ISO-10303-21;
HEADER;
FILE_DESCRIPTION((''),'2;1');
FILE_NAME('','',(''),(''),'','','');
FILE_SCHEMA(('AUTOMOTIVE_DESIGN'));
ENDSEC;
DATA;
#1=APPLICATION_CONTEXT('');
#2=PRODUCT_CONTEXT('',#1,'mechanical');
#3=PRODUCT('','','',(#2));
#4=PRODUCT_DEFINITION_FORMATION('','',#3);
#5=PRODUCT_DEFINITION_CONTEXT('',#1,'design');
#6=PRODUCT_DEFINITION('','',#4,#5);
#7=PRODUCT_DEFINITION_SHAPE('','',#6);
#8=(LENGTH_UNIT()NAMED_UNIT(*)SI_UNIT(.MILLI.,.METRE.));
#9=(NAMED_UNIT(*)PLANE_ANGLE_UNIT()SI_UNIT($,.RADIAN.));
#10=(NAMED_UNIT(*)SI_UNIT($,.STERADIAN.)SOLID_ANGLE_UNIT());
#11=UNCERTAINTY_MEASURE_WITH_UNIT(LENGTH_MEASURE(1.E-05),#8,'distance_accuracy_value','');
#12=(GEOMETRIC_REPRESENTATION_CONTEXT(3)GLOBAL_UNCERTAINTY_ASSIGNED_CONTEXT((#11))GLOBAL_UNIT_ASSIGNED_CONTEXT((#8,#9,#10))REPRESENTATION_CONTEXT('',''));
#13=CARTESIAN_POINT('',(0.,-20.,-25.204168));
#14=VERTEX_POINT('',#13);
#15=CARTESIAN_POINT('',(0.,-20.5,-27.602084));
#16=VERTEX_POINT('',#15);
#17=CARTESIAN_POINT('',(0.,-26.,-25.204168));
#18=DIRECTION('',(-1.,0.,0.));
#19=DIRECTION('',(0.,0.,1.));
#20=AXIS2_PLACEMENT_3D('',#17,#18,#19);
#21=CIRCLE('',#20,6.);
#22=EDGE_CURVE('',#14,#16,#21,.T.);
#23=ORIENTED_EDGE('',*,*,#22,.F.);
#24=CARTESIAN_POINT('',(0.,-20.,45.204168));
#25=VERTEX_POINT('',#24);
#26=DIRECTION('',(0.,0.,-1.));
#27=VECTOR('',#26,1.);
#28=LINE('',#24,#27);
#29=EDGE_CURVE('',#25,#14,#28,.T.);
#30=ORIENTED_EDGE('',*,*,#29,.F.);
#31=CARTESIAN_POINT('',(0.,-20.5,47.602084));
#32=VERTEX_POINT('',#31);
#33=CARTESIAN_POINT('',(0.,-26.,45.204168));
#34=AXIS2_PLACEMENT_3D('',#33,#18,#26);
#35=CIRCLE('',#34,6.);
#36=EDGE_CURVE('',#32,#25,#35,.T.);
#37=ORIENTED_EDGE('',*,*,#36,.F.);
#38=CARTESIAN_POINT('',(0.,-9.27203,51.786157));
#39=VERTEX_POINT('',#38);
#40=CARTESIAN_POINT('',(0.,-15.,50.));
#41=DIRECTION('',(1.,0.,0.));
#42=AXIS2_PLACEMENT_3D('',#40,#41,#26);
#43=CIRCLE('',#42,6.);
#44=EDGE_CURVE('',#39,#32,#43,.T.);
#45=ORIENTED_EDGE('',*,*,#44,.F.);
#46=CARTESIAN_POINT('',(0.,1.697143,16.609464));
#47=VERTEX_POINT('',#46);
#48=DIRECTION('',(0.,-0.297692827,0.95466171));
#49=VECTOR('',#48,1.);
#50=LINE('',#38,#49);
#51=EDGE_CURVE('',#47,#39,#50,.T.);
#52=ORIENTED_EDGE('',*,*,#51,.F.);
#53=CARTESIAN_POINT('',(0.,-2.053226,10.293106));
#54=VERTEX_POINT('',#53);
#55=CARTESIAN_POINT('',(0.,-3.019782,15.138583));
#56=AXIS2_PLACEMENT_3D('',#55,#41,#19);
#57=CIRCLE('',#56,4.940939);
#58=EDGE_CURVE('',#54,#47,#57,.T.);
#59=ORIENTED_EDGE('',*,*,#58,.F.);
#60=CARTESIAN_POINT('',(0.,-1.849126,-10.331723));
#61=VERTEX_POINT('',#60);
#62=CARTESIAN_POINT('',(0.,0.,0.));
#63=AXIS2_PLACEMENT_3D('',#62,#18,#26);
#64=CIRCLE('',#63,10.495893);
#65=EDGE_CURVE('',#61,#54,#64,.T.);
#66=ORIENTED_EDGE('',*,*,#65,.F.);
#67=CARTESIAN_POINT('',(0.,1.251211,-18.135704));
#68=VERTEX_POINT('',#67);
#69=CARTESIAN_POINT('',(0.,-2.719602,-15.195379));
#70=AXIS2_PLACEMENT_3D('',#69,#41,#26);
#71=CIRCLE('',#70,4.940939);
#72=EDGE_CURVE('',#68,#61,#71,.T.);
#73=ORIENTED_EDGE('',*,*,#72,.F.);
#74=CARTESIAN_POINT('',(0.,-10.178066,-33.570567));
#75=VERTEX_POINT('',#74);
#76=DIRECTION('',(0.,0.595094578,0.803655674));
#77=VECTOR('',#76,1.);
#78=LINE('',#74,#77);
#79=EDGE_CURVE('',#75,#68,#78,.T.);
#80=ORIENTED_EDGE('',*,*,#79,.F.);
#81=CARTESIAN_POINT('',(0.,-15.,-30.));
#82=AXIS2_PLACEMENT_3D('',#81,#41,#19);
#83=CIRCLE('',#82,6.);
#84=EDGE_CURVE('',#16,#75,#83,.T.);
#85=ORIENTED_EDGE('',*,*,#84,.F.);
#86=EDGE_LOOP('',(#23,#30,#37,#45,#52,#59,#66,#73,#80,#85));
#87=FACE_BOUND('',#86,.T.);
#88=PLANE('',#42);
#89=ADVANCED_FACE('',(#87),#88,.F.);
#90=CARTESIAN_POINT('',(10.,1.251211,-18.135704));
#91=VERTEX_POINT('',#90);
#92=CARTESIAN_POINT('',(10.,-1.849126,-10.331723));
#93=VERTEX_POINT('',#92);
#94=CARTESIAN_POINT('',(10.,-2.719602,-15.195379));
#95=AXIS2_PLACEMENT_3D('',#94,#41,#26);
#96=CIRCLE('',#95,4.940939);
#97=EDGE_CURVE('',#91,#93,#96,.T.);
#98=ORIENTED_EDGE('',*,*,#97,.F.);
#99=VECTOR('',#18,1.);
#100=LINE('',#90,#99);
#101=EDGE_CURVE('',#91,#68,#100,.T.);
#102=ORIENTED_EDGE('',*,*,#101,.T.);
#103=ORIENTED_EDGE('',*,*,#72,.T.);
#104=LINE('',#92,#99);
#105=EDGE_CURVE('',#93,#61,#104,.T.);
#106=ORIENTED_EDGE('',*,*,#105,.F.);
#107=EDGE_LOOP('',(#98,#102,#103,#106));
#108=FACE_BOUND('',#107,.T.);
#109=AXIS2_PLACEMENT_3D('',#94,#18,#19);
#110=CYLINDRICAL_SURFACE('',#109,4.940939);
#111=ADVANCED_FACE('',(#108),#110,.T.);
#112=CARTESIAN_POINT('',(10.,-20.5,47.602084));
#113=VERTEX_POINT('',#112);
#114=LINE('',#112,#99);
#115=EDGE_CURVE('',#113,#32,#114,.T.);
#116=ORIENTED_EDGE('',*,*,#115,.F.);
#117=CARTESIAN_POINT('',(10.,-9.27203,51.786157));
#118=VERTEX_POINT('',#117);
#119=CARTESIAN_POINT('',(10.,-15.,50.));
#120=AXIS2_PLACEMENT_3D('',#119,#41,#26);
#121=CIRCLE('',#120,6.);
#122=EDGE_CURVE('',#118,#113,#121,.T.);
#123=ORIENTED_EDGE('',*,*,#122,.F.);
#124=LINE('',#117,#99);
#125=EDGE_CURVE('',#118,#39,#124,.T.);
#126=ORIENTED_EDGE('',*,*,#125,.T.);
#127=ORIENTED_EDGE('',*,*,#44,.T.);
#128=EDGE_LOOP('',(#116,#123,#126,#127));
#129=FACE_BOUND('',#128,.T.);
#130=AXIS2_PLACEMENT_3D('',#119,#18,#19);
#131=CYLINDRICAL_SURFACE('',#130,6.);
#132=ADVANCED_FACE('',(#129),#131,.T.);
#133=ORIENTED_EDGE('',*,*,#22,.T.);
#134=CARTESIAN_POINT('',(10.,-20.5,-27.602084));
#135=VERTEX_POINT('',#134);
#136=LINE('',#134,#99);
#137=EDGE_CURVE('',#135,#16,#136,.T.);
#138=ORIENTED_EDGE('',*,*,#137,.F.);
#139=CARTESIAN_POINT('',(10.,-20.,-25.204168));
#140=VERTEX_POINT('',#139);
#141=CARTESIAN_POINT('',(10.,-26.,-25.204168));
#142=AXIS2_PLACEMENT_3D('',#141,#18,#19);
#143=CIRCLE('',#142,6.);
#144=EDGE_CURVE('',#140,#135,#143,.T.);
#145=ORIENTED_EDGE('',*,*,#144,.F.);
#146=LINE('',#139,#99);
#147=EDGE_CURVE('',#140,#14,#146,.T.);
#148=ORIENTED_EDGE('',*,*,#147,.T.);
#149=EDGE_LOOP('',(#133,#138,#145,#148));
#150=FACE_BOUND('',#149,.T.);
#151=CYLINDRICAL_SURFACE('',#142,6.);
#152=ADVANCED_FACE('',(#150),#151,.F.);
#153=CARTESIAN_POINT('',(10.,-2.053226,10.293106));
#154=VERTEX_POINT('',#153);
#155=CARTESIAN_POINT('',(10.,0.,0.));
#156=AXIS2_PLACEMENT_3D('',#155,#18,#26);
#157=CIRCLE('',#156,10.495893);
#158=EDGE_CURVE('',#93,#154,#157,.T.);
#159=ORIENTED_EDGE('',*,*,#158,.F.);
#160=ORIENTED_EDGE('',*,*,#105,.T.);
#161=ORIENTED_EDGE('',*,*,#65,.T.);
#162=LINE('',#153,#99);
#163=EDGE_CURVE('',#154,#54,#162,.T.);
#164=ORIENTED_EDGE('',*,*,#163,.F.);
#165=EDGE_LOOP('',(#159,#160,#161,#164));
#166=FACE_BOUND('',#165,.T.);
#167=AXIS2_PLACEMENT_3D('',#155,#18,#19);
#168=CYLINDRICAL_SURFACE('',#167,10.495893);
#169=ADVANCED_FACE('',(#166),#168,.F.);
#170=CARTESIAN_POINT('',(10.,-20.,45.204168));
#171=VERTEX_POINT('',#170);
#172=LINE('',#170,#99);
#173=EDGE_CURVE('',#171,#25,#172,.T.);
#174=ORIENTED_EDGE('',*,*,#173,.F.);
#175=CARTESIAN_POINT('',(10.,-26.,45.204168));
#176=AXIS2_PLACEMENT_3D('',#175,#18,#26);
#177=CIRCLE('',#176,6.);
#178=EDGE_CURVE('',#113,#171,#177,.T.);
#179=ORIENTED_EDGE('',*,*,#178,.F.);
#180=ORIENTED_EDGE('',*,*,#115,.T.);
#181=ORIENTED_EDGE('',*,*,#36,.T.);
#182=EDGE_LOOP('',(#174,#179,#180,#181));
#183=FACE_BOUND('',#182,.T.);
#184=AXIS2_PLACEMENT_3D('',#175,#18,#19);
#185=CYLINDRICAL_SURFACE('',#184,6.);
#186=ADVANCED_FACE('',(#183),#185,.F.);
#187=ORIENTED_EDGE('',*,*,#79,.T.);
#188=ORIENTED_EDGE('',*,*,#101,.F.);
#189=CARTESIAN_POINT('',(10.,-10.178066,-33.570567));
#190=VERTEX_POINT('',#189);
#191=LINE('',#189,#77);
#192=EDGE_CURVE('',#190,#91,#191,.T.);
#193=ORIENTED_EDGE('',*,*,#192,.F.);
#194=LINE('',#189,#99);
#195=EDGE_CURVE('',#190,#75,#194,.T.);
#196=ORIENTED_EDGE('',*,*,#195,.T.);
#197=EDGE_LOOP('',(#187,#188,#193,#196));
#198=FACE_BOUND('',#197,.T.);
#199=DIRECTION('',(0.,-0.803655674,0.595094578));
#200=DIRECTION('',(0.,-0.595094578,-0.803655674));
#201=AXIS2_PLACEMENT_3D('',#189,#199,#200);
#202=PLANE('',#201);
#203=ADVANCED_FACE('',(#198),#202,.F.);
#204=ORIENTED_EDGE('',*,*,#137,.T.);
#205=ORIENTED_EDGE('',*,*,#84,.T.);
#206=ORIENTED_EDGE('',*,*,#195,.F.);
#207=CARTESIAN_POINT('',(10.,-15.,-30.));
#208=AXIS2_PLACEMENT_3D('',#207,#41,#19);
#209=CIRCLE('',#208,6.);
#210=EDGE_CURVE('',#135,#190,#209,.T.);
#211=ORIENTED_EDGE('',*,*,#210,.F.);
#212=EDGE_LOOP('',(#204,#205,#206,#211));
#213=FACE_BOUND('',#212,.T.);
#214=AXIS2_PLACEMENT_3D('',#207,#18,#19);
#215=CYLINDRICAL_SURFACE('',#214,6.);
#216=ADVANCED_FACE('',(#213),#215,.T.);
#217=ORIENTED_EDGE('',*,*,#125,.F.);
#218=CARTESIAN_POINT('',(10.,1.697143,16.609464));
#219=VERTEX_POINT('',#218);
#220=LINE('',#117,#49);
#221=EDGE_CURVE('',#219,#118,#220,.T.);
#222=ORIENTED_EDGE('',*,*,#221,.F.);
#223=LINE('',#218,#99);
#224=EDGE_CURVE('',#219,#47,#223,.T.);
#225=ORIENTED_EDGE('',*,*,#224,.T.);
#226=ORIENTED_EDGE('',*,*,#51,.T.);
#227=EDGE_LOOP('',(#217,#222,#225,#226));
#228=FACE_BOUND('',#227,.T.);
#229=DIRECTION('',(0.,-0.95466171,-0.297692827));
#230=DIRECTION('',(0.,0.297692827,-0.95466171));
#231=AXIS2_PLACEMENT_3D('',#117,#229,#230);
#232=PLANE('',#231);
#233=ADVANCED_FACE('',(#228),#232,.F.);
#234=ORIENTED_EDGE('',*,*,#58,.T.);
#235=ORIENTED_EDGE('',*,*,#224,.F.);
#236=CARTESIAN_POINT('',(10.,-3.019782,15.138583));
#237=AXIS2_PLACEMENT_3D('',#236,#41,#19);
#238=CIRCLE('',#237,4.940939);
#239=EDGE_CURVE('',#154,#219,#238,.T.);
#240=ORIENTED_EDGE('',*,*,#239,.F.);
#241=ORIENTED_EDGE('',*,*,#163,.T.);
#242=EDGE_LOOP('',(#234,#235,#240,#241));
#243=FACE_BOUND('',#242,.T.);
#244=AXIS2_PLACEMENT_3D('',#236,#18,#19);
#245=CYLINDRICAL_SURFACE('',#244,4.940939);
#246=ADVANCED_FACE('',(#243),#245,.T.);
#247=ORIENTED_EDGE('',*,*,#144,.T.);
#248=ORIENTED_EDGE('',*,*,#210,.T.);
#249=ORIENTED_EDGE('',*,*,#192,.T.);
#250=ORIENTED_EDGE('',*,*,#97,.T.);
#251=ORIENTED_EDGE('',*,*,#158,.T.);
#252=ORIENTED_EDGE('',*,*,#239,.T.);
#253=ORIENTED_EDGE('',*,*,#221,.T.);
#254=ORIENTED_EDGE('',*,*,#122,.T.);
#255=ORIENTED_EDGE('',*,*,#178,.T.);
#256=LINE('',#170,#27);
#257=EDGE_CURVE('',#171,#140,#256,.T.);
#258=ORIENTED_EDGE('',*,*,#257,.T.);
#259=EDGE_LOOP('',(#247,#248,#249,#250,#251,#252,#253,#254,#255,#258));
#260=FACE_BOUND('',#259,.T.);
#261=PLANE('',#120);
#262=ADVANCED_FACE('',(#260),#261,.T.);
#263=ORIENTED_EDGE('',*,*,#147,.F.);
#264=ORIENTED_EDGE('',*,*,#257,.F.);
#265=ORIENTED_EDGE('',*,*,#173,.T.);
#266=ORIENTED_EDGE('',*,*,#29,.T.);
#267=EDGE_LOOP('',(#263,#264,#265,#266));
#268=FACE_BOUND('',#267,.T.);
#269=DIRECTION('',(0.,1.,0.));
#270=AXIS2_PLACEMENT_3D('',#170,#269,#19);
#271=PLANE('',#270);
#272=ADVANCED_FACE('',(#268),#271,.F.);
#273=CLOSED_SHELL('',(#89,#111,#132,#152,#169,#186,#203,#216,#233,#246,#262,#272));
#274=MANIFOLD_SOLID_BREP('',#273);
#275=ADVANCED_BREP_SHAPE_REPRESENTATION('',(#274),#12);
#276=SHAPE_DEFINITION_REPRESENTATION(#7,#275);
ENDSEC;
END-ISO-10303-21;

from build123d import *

# Parameters (mm, degrees)
BOSS_EXTRUDE1_DEPTH = 10


with BuildPart() as part:
    # Sketch1 → Boss-Extrude1 (new body)
    with BuildSketch(Plane(origin=(0, 0, 0), x_dir=(0, 0, -1), z_dir=(1, 0, 0))):
        with BuildLine():
            Line((-45.204168477, -20), (25.204168477, -20))
            ThreePointArc((25.204168477, -20), (26.428913348, -20.126329938), (27.602084238, -20.5))
            ThreePointArc((27.602084238, -20.5), (35.194165826, -18.003438259), (33.570567469, -10.178065953))
            Line((33.570567469, -10.178065953), (18.135704254, 1.251211168))
            ThreePointArc((18.135704254, 1.251211168), (13.371146439, 1.87224401), (10.33172294, -1.849126403))
            ThreePointArc((10.33172294, -1.849126403), (0.10386055, -10.495379), (-10.293105897, -2.053226328))
            ThreePointArc((-10.293105897, -2.053226328), (-12.616026385, 1.228698191), (-16.609464476, 1.697142804))
            Line((-16.609464476, 1.697142804), (-51.78615696, -9.272029739))
            ThreePointArc((-51.78615696, -9.272029739), (-55.622311914, -17.095139314), (-47.602084238, -20.5))
            ThreePointArc((-47.602084238, -20.5), (-46.428913348, -20.126329938), (-45.204168477, -20))
        make_face()
    extrude(amount=BOSS_EXTRUDE1_DEPTH)


solid = part.part
